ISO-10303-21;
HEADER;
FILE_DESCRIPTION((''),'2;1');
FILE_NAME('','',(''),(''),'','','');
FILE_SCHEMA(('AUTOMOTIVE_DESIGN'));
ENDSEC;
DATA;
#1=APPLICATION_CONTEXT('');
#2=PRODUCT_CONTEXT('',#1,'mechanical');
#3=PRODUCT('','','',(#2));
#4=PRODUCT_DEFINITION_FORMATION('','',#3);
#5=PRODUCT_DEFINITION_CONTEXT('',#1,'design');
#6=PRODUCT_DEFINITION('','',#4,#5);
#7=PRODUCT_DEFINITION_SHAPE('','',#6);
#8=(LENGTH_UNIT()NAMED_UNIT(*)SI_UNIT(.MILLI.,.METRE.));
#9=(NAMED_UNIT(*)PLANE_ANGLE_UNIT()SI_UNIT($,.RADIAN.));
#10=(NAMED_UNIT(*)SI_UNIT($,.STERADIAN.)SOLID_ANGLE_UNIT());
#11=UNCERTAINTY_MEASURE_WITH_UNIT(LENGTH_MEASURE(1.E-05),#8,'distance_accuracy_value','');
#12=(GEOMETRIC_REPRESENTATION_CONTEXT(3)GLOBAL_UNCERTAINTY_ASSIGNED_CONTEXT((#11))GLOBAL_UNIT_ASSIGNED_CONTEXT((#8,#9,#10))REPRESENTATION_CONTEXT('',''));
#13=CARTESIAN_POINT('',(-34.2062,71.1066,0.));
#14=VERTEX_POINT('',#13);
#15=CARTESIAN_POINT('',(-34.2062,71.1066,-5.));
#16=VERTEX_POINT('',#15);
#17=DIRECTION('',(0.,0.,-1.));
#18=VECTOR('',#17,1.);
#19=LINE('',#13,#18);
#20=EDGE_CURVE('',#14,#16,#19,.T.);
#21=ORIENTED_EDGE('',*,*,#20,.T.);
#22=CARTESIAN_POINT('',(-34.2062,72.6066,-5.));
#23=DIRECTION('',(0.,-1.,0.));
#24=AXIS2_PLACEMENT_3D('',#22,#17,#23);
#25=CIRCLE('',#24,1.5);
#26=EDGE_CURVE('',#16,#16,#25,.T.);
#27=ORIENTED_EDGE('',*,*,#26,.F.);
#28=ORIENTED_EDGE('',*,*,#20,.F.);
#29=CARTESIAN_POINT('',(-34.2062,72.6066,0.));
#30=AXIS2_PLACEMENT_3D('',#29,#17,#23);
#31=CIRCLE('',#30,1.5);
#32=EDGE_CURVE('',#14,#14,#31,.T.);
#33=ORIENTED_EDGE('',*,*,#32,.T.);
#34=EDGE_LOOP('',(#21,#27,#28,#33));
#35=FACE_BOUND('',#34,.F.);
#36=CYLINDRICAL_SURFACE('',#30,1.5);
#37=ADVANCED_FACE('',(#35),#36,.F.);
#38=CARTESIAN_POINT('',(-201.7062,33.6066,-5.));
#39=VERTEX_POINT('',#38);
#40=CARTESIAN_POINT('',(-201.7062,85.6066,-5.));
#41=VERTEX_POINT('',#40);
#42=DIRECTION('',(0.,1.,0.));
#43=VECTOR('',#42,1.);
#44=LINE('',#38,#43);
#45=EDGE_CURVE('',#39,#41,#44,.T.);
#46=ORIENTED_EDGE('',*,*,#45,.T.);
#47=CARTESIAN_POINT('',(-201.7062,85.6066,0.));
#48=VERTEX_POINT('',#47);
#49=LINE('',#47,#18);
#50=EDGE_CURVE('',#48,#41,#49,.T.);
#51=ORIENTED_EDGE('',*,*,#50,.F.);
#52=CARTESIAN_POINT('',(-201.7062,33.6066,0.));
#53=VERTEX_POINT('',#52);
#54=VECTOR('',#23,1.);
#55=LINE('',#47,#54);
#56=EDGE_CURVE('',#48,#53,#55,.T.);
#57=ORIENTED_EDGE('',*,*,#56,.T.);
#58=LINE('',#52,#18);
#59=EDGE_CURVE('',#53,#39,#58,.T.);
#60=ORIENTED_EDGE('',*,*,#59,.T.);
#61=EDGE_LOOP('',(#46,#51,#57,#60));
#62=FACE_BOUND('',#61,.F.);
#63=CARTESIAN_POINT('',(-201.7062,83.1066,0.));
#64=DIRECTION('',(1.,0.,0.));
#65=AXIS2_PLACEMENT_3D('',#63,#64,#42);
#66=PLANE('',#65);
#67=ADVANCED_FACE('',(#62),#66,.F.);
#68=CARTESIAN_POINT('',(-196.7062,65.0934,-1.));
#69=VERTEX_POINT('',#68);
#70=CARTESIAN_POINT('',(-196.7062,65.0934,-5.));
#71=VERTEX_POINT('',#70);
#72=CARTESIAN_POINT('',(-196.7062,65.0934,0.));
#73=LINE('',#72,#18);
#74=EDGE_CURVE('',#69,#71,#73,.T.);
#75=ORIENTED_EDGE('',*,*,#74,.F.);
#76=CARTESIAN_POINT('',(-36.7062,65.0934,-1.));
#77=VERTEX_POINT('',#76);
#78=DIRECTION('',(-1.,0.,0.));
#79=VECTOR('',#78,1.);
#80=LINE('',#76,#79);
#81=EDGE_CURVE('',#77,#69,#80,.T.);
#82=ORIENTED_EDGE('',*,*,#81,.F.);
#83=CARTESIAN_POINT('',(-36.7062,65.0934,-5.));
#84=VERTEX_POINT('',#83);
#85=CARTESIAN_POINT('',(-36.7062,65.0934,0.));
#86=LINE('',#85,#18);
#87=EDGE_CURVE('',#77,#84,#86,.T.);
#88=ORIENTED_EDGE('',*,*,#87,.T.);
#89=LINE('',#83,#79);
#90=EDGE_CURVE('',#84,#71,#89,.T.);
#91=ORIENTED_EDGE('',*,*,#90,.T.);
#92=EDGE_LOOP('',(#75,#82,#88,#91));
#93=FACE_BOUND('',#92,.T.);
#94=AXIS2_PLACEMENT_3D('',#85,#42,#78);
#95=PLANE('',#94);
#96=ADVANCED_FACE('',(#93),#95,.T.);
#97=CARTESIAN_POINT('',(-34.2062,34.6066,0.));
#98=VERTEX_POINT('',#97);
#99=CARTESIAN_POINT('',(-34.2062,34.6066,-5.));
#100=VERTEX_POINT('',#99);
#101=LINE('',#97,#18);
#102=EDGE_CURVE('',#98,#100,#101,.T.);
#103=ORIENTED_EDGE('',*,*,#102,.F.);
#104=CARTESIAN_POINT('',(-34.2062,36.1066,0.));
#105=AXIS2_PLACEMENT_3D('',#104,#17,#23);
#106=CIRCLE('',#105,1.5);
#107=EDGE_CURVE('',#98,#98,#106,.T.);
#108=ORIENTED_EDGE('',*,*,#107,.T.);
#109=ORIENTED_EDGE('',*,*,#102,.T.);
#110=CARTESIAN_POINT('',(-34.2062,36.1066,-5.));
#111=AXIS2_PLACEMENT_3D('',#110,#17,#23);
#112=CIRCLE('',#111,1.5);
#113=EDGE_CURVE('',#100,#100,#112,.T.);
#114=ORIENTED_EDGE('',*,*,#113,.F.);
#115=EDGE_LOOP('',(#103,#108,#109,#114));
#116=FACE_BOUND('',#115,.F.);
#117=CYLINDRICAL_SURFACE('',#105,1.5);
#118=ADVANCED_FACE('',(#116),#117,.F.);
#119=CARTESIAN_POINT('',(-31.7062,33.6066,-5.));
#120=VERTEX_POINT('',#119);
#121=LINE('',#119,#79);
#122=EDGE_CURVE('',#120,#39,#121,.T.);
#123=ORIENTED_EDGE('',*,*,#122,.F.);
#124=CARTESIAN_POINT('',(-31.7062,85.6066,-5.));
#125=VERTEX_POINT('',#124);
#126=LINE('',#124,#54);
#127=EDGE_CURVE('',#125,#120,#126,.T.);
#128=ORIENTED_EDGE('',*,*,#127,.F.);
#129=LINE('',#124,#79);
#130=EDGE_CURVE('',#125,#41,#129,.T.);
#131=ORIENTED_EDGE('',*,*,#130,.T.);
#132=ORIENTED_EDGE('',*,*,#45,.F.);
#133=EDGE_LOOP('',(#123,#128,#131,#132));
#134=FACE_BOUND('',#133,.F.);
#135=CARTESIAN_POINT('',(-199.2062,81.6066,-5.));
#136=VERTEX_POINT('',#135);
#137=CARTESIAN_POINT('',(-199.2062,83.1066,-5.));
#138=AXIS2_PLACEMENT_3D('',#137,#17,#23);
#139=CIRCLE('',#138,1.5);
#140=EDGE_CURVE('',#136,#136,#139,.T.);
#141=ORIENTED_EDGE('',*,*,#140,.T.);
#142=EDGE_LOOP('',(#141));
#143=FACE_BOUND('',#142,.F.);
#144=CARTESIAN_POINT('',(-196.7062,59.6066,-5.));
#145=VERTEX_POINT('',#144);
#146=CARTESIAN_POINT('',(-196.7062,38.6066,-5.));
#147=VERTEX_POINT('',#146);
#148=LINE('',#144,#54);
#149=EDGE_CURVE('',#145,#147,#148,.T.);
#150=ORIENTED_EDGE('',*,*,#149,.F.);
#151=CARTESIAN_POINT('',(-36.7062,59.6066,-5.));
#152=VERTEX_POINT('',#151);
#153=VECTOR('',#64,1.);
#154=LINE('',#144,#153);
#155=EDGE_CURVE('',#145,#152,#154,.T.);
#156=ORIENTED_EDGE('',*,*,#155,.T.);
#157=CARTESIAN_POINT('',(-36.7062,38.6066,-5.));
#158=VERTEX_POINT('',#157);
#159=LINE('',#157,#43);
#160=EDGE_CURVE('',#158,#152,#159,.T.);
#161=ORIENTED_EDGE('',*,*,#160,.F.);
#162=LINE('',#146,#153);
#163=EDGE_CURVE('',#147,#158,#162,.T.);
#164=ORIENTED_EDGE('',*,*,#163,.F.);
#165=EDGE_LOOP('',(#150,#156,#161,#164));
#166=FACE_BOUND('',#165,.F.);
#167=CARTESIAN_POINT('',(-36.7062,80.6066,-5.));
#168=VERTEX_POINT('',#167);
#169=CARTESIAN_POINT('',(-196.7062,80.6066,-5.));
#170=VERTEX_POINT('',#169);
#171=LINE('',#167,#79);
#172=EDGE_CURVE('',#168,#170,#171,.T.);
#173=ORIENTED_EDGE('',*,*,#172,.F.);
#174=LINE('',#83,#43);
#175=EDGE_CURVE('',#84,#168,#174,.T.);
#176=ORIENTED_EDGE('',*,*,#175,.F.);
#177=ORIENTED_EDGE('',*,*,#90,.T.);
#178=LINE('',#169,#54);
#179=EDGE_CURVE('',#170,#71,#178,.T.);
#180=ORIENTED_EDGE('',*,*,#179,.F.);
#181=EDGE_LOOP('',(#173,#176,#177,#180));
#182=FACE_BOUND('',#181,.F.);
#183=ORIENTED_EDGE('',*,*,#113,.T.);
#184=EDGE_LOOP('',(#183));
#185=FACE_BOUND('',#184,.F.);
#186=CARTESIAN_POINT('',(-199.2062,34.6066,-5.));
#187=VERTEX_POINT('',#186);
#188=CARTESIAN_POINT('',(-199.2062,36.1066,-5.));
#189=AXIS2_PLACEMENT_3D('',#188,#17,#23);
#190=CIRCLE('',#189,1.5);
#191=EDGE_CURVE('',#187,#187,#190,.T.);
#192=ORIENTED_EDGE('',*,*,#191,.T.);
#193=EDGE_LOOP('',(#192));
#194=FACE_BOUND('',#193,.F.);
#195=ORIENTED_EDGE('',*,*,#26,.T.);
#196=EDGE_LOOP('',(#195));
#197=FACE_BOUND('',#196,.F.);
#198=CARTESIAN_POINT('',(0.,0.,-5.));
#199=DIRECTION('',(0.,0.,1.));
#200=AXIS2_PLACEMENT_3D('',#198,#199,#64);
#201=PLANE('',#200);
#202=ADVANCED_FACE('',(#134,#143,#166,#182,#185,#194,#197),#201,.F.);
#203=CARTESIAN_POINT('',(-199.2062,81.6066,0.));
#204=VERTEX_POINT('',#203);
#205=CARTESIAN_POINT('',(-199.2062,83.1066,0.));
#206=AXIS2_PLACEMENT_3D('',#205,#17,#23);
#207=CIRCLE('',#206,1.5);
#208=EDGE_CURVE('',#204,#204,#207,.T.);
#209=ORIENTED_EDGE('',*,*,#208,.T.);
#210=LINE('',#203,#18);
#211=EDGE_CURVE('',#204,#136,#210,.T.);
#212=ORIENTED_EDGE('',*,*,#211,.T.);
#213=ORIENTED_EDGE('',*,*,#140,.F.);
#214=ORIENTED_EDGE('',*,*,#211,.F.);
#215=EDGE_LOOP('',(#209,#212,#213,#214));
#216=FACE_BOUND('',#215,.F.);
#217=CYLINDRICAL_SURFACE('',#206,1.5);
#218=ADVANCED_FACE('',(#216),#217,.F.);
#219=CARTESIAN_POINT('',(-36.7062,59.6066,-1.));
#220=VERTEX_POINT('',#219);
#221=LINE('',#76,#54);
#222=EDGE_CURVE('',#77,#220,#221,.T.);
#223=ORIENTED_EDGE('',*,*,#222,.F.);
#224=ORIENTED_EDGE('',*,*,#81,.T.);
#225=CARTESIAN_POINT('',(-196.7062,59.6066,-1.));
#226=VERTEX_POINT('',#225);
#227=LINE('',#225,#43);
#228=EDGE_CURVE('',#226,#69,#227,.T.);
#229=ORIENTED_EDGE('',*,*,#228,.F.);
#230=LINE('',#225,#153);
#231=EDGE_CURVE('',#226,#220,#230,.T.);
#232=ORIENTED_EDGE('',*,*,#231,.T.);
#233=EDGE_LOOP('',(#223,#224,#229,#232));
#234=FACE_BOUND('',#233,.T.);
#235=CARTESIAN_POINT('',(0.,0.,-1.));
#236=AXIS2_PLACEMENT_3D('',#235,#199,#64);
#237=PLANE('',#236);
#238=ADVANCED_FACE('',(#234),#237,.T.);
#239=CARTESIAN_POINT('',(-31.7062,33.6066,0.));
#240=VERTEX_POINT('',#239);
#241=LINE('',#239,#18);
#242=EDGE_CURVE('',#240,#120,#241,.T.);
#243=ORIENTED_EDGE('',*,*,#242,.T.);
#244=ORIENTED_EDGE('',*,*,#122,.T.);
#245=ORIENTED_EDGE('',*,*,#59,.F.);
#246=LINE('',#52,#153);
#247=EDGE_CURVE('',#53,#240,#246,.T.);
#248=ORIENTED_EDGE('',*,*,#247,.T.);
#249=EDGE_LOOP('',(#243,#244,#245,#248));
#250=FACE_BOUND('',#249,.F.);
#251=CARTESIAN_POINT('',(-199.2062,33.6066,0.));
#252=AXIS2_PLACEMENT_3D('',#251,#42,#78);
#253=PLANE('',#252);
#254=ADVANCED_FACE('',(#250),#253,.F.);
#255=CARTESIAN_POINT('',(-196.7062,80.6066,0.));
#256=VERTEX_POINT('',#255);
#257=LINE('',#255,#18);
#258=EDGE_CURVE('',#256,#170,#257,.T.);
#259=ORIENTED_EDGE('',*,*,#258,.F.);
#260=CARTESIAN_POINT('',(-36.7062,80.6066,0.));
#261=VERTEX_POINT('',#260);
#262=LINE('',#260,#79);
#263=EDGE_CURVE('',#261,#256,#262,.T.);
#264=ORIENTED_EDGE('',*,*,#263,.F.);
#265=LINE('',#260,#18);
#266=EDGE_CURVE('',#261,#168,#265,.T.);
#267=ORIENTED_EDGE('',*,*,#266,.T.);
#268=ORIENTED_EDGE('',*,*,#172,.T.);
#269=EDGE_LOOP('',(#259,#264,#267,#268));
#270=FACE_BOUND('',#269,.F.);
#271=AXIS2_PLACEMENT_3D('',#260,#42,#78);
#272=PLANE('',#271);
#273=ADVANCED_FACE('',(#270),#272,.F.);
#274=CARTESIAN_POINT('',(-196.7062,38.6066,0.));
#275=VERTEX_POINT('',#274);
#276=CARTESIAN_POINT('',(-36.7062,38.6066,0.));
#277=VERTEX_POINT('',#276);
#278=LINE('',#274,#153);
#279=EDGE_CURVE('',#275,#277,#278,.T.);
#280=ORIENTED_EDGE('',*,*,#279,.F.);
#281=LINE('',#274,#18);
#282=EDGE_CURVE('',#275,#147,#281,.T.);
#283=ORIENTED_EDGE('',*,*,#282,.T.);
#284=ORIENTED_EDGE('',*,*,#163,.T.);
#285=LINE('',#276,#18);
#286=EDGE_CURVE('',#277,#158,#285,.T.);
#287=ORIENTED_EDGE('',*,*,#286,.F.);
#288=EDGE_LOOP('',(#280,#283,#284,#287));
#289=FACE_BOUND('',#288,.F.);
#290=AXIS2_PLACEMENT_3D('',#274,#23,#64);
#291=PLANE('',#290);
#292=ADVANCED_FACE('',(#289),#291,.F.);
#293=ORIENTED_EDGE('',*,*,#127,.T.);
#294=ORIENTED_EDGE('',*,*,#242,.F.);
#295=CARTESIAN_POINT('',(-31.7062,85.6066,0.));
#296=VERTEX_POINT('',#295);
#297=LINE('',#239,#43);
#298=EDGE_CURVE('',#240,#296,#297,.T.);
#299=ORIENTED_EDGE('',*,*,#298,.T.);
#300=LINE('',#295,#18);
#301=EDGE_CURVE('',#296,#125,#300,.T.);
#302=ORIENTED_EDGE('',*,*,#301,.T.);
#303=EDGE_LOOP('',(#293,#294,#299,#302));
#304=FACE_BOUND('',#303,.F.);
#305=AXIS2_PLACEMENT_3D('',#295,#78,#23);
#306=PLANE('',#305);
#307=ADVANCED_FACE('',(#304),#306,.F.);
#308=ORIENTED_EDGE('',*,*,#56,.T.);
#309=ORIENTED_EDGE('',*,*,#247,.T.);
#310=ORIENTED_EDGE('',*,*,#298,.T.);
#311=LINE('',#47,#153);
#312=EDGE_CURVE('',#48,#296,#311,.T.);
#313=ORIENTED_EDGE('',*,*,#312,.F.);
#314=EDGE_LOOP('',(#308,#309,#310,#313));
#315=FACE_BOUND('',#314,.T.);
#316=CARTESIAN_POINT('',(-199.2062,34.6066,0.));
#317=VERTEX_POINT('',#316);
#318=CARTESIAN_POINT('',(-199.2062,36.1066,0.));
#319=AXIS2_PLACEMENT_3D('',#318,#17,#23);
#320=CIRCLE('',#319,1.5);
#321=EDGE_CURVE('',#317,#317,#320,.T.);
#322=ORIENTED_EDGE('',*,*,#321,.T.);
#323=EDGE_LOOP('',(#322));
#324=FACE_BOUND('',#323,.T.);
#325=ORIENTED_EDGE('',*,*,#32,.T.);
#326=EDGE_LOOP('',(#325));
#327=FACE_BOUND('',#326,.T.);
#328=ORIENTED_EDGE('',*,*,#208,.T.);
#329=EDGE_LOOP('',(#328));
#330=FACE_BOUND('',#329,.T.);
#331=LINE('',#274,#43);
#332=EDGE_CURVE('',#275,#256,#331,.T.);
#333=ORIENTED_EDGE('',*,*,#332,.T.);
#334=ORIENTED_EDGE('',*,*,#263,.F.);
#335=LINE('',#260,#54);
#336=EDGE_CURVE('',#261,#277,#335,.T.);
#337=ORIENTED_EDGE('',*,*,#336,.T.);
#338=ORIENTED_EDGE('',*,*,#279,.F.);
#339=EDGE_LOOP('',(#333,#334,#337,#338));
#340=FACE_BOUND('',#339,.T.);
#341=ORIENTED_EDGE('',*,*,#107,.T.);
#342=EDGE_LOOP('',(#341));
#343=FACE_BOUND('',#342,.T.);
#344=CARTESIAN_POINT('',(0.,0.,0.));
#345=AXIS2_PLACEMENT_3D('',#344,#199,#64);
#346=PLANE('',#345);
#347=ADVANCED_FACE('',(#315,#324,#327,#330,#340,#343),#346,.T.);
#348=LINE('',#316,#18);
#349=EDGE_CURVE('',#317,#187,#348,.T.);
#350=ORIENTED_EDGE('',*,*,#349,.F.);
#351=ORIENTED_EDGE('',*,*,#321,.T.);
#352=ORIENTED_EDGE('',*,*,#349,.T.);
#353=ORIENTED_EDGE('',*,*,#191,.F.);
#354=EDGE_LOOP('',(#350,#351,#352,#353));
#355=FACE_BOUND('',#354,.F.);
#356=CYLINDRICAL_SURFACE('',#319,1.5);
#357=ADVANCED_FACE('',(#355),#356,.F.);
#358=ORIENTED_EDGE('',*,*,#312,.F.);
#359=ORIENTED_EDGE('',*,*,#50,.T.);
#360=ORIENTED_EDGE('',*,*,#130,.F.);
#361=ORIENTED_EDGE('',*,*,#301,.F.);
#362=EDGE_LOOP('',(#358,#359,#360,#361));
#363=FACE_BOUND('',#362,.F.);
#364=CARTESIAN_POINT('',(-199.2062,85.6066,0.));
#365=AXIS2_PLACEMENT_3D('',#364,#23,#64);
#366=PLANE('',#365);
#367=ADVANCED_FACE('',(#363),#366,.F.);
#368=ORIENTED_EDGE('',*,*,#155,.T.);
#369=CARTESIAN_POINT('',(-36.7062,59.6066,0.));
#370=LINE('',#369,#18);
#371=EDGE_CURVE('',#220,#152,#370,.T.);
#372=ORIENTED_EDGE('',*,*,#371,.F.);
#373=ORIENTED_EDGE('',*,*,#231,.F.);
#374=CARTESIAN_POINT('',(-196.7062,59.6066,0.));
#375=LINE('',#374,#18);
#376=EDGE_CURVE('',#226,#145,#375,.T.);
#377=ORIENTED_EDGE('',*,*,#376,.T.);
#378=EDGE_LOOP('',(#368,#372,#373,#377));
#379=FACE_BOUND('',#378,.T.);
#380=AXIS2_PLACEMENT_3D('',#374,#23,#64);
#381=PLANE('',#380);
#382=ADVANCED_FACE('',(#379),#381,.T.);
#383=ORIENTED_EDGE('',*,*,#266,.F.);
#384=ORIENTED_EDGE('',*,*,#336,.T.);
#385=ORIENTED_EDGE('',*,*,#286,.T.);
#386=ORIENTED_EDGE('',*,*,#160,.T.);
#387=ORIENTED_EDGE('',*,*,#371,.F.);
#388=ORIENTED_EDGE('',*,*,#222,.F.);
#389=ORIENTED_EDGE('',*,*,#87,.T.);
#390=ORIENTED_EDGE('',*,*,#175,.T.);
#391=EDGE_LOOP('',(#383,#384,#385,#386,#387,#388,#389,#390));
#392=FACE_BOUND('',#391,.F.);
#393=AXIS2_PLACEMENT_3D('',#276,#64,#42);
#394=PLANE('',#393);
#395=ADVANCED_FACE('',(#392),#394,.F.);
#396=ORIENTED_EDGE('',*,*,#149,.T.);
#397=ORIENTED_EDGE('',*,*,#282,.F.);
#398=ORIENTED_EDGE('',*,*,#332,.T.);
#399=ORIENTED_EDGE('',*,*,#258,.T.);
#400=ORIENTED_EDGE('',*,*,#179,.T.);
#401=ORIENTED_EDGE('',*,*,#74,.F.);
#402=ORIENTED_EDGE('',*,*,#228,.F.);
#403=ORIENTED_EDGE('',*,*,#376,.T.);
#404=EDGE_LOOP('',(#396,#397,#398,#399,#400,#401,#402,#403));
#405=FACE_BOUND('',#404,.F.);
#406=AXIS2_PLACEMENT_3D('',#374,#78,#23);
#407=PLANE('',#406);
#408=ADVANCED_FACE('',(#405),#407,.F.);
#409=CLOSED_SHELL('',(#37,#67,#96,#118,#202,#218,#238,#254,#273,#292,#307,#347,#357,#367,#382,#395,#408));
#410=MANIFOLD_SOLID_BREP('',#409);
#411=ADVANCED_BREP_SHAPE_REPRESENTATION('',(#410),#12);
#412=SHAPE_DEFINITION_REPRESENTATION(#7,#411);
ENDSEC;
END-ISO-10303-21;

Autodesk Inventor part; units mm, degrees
ref_plane "YZ Plane" through (0, 0, 0) normal (1, 0, 0) x (0, 1, 0)
ref_plane "XZ Plane" through (0, 0, 0) normal (0, 1, 0) x (-1, 0, 0)
sketch "Sketch1" plane through (0, 0, 0) normal (0, 0, 1) x (1, 0, 0)
  line L0 (-201.7062, 85.6066) -> (-31.7062, 85.6066)
  line L1 (-31.7062, 85.6066) -> (-31.7062, 33.6066)
  line L2 (-31.7062, 33.6066) -> (-201.7062, 33.6066)
  line L3 (-201.7062, 33.6066) -> (-201.7062, 85.6066)
  line L4 (-36.7062, 80.6066) -> (-196.7062, 80.6066)
  line L5 (-196.7062, 38.6066) -> (-36.7062, 38.6066)
  line L6 (-196.7062, 59.6066) -> (-36.7062, 59.6066)
  line L7 (-36.7062, 65.0934) -> (-196.7062, 65.0934)
  line L8 (-36.7062, 38.6066) -> (-36.7062, 59.6066)
  line L9 (-36.7062, 65.0934) -> (-36.7062, 80.6066)
  line L10 (-196.7062, 80.6066) -> (-196.7062, 65.0934)
  line L11 (-196.7062, 59.6066) -> (-196.7062, 38.6066)
  line L12 (-196.7062, 80.6066) -> (-201.7062, 80.6066)
  line L13 (-36.7062, 80.6066) -> (-31.7062, 80.6066)
  line L14 (-36.7062, 80.6066) -> (-36.7062, 85.6066)
  line L15 (-36.7062, 38.6066) -> (-36.7062, 33.6066)
  line L16 (-36.7062, 38.6066) -> (-31.7062, 38.6066)
  line L17 (-196.7062, 38.6066) -> (-201.7062, 38.6066)
  line L18 (-196.7062, 38.6066) -> (-196.7062, 33.6066)
  line L19 (-196.7062, 80.6066) -> (-196.7062, 85.6066)
  circle A0 centre (-199.2062, 83.1066) radius 2.5
  circle A1 centre (-199.2062, 36.1066) radius 2.5
  circle A2 centre (-34.2062, 36.1066) radius 2.5
  circle A3 centre (-34.2062, 72.6066) radius 2.5
  line L20 (-196.7062, 65.0934) -> (-36.7062, 65.0934)
  line L21 (-36.7062, 65.0934) -> (-36.7062, 59.6066)
  line L22 (-36.7062, 59.6066) -> (-196.7062, 59.6066)
  line L23 (-196.7062, 59.6066) -> (-196.7062, 65.0934)
  point P0 (0, 0)
extrude "Extrusion1" add sketch "Sketch1" against normal blind 5 contours L19 A0 L0 | L0 L14 L4 L19 | L0 L1 L13 L14 | A0 L3 L0 | A0 | L19 L12 A0 | L13 L1 A3 L9 | A0 L12 L3 | L10 L23 L11 L17 L3 L12 | A3 L1 L16 L8 L21 L9 | A3 | L7 L21 L6 L23 | L17 A1 L3 | L1 A2 L16 | A1 L2 L3 | A1 | L17 L18 A1 | L5 L15 L2 L18 | A2 | L1 L2 A2 | A2 L15 L16 | A1 L18 L2 | L2 L15 A2
ref_plane "Work Plane1" through (-31.7062, 85.6066, -5) normal (0, 0, 1) x (1, 0, 0)
hole "Hole1" at (-199.2062, 83.1066, 0) direction (0, 0, -1) diameter 3 depth 5 tip angle 118
hole "Hole2" at (-199.2062, 36.1066, 0) direction (0, 0, -1) diameter 3 depth 5 tip angle 118
hole "Hole4" at (-34.2062, 36.1066, 0) direction (0, 0, -1) diameter 3 depth 5 tip angle 118
hole "Hole5" at (-34.2062, 72.6066, 0) direction (0, 0, -1) diameter 3 depth 5 tip angle 118
extrude "Extrusion3" cut sketch "Sketch1" against normal blind 1 contours L7 L21 L6 L23
thread "Thread1" size "M3x0.5" class "6H" standard "ANSI Metric M Profile" full length
thread "Thread2" size "M3x0.5" class "6H" standard "ANSI Metric M Profile" full length
thread "Thread3" size "M3x0.5" class "6H" standard "ANSI Metric M Profile" full length
thread "Thread4" size "M3x0.5" class "6H" standard "ANSI Metric M Profile" full length
properties part number "lateral suport 2"
